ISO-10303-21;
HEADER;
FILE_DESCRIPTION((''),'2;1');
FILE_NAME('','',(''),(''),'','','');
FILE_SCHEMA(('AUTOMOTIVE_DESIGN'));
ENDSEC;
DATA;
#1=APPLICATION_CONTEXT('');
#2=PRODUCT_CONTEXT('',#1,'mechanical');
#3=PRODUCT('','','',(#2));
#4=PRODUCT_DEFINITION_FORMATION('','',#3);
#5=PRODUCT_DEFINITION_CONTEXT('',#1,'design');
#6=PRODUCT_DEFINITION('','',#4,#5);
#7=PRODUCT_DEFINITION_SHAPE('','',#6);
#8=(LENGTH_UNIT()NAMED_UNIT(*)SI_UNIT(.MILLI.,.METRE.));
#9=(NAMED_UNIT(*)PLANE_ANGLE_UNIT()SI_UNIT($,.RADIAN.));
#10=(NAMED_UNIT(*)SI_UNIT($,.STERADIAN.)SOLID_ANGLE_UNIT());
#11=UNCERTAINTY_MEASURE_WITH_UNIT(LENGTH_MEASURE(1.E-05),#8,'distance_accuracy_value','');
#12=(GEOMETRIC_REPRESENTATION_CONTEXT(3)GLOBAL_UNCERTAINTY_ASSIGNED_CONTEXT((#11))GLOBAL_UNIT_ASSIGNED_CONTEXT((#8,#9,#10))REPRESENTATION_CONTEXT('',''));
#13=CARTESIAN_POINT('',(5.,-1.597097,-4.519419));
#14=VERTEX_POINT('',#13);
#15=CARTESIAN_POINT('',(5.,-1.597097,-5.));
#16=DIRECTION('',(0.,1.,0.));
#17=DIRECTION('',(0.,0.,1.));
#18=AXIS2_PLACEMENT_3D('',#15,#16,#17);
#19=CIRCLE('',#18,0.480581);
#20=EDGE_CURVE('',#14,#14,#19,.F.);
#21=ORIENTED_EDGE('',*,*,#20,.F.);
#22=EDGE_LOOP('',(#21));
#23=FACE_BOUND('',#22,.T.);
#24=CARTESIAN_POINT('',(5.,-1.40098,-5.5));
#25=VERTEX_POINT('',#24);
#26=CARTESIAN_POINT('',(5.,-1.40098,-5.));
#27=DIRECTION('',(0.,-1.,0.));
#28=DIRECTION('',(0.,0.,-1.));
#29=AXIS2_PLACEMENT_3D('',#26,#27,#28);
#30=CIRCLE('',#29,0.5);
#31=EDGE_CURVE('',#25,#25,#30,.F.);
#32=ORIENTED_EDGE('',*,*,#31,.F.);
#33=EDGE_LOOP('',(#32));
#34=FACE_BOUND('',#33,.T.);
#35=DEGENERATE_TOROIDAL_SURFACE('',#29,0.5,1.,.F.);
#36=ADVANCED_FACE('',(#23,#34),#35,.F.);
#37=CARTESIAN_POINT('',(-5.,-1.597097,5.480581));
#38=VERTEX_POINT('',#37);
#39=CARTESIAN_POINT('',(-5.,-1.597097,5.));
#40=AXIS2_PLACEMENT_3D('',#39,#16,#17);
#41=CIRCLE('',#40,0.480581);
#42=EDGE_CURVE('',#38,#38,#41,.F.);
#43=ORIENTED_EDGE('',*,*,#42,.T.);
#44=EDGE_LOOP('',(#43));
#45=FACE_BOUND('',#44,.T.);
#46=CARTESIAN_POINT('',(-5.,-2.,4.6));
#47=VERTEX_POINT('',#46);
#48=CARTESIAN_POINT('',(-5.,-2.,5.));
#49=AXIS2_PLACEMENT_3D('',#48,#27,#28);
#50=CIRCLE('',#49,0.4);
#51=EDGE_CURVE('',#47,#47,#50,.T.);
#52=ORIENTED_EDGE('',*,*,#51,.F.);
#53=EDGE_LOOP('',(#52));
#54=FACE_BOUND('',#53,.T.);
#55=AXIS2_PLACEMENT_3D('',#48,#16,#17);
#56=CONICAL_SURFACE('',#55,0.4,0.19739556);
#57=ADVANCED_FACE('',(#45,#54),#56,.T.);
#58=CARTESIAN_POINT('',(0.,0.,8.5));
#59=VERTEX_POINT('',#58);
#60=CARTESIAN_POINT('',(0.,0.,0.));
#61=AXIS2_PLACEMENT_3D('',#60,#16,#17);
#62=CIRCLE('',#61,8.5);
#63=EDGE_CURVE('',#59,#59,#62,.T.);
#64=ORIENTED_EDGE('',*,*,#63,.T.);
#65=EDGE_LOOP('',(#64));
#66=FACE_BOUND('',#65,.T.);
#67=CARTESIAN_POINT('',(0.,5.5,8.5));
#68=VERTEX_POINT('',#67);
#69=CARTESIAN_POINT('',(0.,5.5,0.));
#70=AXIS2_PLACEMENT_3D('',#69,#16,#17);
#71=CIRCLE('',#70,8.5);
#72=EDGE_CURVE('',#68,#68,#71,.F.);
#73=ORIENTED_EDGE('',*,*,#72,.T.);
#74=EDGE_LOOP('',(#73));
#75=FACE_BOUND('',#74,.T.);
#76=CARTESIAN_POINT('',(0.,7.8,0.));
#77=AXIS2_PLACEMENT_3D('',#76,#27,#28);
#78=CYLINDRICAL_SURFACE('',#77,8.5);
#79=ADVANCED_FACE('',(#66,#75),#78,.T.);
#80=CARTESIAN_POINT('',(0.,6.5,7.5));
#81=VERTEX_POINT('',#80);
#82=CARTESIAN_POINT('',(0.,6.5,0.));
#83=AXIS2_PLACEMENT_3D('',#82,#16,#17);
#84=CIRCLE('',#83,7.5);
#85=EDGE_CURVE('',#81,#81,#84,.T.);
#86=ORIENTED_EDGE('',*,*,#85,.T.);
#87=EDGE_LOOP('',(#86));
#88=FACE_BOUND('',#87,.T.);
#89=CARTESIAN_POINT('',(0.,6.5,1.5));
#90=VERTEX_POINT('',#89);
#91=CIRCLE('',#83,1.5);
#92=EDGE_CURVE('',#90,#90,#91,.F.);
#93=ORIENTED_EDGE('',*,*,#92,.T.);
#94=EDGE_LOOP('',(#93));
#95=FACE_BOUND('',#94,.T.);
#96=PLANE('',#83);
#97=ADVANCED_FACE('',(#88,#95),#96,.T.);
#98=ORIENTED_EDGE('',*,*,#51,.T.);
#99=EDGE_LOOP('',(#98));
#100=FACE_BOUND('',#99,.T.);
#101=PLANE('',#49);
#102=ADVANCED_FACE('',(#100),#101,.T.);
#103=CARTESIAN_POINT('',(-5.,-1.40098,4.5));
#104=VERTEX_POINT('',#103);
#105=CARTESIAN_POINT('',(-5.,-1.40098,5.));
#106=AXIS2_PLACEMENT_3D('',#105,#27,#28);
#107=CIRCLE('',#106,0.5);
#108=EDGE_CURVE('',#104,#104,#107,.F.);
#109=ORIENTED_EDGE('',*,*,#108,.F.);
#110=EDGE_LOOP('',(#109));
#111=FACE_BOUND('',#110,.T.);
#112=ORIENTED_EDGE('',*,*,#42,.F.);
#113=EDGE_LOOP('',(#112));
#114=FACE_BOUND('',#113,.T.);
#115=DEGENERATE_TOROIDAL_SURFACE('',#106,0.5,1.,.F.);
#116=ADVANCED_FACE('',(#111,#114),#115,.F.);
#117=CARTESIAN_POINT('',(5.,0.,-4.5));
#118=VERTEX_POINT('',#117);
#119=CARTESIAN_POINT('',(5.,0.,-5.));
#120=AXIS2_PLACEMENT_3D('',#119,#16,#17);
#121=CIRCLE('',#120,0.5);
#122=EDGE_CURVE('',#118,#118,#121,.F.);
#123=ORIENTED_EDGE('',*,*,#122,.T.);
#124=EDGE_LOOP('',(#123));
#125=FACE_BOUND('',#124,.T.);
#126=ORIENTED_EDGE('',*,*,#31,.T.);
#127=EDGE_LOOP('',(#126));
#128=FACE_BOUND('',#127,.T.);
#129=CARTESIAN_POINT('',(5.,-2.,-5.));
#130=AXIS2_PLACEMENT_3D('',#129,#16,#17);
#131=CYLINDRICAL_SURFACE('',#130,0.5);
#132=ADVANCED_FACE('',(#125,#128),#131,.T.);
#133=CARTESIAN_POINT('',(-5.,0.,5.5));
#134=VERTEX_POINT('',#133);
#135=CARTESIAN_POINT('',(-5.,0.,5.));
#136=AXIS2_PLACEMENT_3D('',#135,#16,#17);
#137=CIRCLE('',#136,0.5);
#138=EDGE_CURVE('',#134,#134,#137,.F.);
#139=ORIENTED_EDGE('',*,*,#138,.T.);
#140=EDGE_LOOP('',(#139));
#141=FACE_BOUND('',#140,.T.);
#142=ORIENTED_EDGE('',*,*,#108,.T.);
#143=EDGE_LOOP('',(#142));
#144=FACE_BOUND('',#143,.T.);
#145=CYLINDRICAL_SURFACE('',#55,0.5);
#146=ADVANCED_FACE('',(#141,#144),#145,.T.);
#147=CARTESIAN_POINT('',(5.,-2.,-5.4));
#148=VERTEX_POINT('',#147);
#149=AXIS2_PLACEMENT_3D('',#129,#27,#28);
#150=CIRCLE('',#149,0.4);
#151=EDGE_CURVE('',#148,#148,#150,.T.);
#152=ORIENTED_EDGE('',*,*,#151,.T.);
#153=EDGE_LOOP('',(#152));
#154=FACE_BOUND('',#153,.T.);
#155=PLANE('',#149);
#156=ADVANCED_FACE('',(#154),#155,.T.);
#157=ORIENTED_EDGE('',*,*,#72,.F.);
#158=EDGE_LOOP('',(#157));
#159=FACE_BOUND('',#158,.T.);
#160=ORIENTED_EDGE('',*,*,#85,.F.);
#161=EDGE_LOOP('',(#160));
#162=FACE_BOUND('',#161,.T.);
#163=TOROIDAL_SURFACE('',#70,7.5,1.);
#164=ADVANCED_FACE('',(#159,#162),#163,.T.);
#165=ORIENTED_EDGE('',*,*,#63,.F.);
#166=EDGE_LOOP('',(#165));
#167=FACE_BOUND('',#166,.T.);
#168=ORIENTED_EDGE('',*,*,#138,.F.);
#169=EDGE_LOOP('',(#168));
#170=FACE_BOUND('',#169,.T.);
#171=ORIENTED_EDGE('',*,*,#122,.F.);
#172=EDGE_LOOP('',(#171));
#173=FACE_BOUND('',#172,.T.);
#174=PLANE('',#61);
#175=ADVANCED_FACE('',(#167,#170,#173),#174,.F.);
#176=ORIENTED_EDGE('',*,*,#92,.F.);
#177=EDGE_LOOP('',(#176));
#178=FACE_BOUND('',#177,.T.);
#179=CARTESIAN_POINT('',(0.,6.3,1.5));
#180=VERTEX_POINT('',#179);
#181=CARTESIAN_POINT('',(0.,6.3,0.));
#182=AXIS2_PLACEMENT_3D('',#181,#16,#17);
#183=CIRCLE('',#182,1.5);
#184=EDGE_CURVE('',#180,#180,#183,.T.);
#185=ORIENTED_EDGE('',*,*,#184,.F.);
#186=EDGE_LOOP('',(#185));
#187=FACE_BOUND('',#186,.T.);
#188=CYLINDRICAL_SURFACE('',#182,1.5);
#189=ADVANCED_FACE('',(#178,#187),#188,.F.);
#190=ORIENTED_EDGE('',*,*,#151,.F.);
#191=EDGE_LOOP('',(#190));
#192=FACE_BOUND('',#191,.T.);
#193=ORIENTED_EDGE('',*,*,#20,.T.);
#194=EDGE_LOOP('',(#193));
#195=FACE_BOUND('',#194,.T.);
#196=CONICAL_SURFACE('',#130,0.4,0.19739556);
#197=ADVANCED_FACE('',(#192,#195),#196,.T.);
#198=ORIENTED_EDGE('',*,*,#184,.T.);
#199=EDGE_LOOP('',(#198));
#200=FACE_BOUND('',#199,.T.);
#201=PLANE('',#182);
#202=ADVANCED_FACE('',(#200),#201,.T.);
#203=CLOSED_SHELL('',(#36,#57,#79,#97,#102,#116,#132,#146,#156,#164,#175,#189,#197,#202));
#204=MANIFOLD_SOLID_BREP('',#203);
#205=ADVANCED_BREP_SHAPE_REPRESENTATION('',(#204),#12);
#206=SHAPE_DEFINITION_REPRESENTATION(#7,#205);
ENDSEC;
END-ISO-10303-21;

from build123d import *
from OCP.BRepFilletAPI import BRepFilletAPI_MakeChamfer

# Parameters (mm, degrees)
SKETCH1_R           = 8.5
BOSS_EXTRUDE1_DEPTH = 7.8
SKETCH2_R           = 8.5
SKETCH2_R_2         = 7.8
SKETCH2_R_3         = 1.5
CUT_EXTRUDE1_DEPTH  = 1.5
SKETCH3_R           = 0.5
BOSS_EXTRUDE2_DEPTH = 2
CHAMFER1_SIZE       = 0.5
CHAMFER1_SIZE2      = 0.1
FILLET1_R           = 1
SKETCH4_R           = 7.8
CUT_EXTRUDE2_DEPTH  = 1.3
SKETCH5_R           = 8.5
SKETCH5_R_2         = 7.8
BOSS_EXTRUDE3_DEPTH = 0.2
FILLET2_R           = 1


with BuildPart() as part:
    # Sketch1 → Boss-Extrude1 (new body)
    with BuildSketch(Plane(origin=(0, 0, 0), x_dir=(1, 0, 0), z_dir=(0, 1, 0))):
        with Locations(Location((0, 0, 0), (0, 0, 270))):
            Circle(SKETCH1_R)
    extrude(amount=BOSS_EXTRUDE1_DEPTH)

    # Sketch2 → Cut-Extrude1 (cut)
    with BuildSketch(Plane(origin=(0, 7.8, 0), x_dir=(1, 0, 0), z_dir=(0, 1, 0))):
        with Locations(Location((0, 0, 0), (0, 0, 270))):
            Circle(SKETCH2_R)
        with Locations(Location((0, 0, 0), (0, 0, 270))):
            Circle(SKETCH2_R_2, mode=Mode.SUBTRACT)
        with Locations(Location((0, 0, 0), (0, 0, 270))):
            Circle(SKETCH2_R_3)
    extrude(amount=-CUT_EXTRUDE1_DEPTH, mode=Mode.SUBTRACT)

    # Sketch3 → Boss-Extrude2 (add)
    with BuildSketch(Plane.XZ):
        with Locations(Location((-5, 5, 0), (0, 0, 90))):
            Circle(SKETCH3_R)
        with Locations(Location((5, -5, 0), (0, 0, 90))):
            Circle(SKETCH3_R)
    extrude(amount=BOSS_EXTRUDE2_DEPTH)

    # Chamfer1: one chamfer whose edges measure the first distance from different faces: ONE call of the kernel's chamfer builder (chamfer() names one face for all edges)
    chamfer1_edges_1 = [part.edges().sort_by_distance(p)[0] for p in [
        (-5, -2, 4.5),
    ]]
    chamfer1_side_1 = [part.faces().sort_by_distance(p)[0] for p in [
        (-5, -1, 4.5),
    ]]
    chamfer1_edges_2 = [part.edges().sort_by_distance(p)[0] for p in [
        (5, -2, -5.5),
    ]]
    chamfer1_side_2 = [part.faces().sort_by_distance(p)[0] for p in [
        (5, -1, -5.5),
    ]]
    chamfer1 = BRepFilletAPI_MakeChamfer(part.part.solid().wrapped)
    for e in chamfer1_edges_1:
        chamfer1.Add(CHAMFER1_SIZE, CHAMFER1_SIZE2, e.wrapped, chamfer1_side_1[0].wrapped)  # the first distance lies on this face
    for e in chamfer1_edges_2:
        chamfer1.Add(CHAMFER1_SIZE, CHAMFER1_SIZE2, e.wrapped, chamfer1_side_2[0].wrapped)  # the first distance lies on this face
    add(Compound.cast(chamfer1.Shape()), mode=Mode.REPLACE)

    # Fillet1
    fillet1_edges = [part.edges().sort_by_distance(p)[0] for p in [
        (-5, -1.5, 4.5),
        (5, -1.5, -5.5),
    ]]
    fillet(fillet1_edges, radius=FILLET1_R)

    # Sketch4 → Cut-Extrude2 (cut)
    with BuildSketch(Plane(origin=(0, 7.8, 0), x_dir=(1, 0, 0), z_dir=(0, 1, 0))):
        with Locations(Location((0, 0, 0), (0, 0, 270))):
            Circle(SKETCH4_R)
    extrude(amount=-CUT_EXTRUDE2_DEPTH, mode=Mode.SUBTRACT)

    # Sketch5 → Boss-Extrude3 (add)
    with BuildSketch(Plane(origin=(0, 6.3, 0), x_dir=(1, 0, 0), z_dir=(0, 1, 0))):
        with Locations(Location((0, 0, 0), (0, 0, 270))):
            Circle(SKETCH5_R)
        Circle(SKETCH5_R_2, mode=Mode.SUBTRACT)
    extrude(amount=BOSS_EXTRUDE3_DEPTH)

    # Fillet2
    fillet2_edges = [part.edges().sort_by_distance(p)[0] for p in [
        (0, 6.5, -8.5),
    ]]
    fillet(fillet2_edges, radius=FILLET2_R)


solid = part.part
